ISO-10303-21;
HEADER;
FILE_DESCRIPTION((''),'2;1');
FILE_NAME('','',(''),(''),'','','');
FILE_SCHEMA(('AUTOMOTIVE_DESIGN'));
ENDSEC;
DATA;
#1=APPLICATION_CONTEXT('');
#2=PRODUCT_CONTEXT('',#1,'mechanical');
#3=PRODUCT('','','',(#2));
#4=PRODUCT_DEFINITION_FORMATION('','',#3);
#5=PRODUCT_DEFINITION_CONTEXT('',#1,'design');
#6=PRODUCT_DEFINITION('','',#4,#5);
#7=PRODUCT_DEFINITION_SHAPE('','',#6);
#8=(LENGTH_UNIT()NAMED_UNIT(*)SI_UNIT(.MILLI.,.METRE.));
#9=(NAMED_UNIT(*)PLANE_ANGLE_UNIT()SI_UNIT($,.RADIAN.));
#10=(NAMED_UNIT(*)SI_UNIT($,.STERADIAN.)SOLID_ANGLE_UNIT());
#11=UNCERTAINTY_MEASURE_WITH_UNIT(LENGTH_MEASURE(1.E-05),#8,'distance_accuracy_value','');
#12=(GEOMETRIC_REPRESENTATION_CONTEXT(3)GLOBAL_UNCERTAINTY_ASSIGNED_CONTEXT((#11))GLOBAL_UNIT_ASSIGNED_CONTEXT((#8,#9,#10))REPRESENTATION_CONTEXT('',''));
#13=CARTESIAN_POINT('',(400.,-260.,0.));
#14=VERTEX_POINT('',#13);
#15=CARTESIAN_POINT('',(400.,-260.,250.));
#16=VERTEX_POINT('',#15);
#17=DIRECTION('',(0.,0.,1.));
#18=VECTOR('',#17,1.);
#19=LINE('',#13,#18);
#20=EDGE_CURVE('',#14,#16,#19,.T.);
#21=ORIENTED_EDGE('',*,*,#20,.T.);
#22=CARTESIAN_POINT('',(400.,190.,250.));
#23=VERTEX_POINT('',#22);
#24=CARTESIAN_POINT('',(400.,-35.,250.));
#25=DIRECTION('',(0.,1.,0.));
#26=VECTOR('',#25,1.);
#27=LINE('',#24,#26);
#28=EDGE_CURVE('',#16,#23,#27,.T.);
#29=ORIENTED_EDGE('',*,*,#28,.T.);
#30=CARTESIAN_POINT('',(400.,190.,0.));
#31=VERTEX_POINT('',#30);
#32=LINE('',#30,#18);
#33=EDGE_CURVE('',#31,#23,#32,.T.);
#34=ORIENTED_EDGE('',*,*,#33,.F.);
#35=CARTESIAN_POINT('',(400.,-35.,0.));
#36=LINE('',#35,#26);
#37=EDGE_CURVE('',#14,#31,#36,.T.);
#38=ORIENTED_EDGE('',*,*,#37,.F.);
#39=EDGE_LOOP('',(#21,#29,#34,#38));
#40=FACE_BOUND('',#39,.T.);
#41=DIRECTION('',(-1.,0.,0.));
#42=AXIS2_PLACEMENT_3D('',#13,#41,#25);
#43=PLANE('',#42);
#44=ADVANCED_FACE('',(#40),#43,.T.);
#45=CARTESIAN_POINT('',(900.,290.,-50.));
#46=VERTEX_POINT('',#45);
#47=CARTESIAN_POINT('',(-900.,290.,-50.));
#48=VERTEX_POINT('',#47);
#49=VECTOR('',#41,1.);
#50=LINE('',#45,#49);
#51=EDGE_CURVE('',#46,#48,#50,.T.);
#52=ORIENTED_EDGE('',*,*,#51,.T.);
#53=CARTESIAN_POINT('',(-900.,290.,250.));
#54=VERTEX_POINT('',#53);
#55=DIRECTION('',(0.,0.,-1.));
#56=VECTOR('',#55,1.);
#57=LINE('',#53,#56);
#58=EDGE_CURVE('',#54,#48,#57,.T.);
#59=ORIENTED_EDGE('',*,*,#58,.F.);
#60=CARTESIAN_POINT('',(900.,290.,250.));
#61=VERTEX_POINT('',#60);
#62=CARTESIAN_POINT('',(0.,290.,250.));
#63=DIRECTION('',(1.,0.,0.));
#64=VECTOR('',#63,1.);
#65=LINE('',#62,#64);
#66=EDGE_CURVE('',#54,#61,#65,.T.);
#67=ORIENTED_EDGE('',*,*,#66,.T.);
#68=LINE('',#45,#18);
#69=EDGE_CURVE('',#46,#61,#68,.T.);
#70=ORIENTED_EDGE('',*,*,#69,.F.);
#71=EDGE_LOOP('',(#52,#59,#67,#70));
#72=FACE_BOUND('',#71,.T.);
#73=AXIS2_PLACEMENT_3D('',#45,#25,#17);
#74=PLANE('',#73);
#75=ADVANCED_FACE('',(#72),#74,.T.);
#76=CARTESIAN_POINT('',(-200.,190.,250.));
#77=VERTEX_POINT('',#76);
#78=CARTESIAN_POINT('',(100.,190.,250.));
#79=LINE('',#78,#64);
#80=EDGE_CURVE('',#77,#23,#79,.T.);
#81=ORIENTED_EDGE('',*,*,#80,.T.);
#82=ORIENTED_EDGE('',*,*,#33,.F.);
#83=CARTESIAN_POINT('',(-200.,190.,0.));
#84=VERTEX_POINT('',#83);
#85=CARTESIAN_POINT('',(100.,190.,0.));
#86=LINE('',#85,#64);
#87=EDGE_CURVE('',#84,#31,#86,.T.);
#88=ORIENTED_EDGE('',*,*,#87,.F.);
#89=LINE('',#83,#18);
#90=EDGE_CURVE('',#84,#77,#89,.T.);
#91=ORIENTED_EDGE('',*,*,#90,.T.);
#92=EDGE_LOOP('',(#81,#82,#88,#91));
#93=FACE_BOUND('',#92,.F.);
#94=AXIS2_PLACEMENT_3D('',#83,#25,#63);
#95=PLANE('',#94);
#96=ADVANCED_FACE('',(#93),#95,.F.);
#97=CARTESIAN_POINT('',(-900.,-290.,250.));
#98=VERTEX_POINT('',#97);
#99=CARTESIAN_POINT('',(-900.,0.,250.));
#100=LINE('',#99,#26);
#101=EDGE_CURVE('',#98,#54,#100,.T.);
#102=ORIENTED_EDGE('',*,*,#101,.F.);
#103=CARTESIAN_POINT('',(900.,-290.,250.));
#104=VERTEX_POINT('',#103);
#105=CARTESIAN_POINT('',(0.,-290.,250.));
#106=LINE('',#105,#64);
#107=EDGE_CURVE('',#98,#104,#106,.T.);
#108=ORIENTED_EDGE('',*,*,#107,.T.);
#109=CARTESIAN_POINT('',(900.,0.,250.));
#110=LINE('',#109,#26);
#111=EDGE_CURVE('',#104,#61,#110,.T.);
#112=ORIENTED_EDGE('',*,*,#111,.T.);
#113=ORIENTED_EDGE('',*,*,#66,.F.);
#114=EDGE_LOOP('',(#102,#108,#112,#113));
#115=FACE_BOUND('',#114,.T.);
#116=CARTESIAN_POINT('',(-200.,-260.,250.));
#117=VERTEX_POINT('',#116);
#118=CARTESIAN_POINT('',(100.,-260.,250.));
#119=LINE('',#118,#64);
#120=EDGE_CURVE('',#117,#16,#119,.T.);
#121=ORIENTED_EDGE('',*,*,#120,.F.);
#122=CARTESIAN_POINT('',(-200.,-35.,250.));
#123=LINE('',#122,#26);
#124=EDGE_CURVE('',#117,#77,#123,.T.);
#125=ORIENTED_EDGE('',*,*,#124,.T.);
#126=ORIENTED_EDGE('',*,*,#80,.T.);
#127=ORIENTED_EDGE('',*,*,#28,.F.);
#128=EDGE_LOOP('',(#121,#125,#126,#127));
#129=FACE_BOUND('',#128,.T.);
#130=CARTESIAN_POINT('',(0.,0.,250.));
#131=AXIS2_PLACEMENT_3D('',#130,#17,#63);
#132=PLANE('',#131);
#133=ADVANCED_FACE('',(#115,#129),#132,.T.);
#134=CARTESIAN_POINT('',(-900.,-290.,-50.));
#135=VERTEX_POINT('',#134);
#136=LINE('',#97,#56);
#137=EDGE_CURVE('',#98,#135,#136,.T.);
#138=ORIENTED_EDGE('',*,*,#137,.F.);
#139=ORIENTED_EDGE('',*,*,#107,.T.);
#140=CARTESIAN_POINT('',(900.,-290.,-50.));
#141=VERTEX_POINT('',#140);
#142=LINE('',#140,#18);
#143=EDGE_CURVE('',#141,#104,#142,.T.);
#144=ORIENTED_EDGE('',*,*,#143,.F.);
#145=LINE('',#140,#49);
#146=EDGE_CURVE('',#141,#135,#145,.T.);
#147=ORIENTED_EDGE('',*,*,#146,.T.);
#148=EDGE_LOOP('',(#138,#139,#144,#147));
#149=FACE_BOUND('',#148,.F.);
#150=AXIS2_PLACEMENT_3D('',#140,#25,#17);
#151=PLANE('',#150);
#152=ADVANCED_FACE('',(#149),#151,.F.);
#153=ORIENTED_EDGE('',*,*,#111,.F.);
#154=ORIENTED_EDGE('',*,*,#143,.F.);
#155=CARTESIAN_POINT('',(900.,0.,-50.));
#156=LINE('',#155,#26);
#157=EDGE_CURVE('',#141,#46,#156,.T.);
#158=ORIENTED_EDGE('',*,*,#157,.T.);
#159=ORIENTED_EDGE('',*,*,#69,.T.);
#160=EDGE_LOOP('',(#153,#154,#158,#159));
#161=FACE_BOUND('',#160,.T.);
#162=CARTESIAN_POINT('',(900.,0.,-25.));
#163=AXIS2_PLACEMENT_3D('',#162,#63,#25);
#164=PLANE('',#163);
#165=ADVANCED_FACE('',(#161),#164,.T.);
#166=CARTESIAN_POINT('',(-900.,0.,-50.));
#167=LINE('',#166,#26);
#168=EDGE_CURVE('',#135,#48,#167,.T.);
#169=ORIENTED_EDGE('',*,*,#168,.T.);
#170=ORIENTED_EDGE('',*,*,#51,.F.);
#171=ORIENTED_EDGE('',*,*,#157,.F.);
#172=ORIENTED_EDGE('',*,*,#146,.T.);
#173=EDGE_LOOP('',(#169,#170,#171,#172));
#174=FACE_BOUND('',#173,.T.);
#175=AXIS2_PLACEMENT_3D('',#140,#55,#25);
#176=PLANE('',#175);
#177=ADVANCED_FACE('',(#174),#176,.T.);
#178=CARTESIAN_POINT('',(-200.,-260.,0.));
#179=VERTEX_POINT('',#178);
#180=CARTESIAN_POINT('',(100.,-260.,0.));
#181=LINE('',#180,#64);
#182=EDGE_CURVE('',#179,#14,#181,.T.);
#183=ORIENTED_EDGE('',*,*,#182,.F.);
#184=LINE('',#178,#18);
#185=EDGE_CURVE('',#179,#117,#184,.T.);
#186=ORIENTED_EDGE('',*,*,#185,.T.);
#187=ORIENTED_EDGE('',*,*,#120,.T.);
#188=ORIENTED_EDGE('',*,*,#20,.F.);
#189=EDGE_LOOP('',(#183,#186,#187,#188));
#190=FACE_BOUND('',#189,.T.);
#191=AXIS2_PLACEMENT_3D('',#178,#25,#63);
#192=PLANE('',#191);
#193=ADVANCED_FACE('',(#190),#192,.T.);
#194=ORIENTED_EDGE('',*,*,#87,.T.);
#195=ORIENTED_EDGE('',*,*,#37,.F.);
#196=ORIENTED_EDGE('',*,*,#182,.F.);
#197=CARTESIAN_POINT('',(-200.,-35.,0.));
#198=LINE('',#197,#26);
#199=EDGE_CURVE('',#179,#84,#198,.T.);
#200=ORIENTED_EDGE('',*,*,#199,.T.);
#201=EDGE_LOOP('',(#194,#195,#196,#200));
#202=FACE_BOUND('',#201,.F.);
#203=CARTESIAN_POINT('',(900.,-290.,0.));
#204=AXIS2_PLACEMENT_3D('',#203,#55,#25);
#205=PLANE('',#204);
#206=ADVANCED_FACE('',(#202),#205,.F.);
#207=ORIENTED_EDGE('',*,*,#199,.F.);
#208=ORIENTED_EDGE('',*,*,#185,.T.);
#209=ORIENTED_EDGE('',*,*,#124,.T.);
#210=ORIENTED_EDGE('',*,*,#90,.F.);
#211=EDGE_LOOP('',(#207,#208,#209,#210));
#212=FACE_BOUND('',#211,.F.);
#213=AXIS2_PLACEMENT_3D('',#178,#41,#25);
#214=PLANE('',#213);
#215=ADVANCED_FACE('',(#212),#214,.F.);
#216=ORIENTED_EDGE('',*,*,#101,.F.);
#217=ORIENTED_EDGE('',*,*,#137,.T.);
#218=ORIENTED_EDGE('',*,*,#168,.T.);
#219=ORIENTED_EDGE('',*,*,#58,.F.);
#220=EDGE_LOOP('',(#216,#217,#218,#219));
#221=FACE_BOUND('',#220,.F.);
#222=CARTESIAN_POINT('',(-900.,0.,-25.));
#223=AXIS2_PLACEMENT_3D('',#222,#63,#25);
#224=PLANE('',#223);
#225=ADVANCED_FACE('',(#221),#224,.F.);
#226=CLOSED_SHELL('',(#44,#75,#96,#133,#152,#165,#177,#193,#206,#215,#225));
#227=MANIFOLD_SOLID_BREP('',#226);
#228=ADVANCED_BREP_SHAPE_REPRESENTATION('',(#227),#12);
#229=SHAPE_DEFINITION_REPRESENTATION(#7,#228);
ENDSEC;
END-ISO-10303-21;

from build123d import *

# Parameters (mm, degrees)
F0_W     = 1800
F0_H     = 580
F0_W_2   = 600
F0_H_2   = 450
F1_DEPTH = 250
F2_W     = 580
F2_H     = 50
F3_DEPTH = 1800


with BuildPart() as f1:
    # F0 (on Top) → F1 (new body)
    with BuildSketch(Plane.XY):
        Rectangle(F0_W, F0_H)
        with Locations((100, -35)):
            Rectangle(F0_W_2, F0_H_2, mode=Mode.SUBTRACT)
    extrude(amount=F1_DEPTH)

    # F2 (on face) → F3 (join)
    with BuildSketch(Plane.YZ.offset(900)):
        with Locations((0, -25)):
            Rectangle(F2_W, F2_H)
    extrude(amount=-F3_DEPTH)


solid = f1.part
